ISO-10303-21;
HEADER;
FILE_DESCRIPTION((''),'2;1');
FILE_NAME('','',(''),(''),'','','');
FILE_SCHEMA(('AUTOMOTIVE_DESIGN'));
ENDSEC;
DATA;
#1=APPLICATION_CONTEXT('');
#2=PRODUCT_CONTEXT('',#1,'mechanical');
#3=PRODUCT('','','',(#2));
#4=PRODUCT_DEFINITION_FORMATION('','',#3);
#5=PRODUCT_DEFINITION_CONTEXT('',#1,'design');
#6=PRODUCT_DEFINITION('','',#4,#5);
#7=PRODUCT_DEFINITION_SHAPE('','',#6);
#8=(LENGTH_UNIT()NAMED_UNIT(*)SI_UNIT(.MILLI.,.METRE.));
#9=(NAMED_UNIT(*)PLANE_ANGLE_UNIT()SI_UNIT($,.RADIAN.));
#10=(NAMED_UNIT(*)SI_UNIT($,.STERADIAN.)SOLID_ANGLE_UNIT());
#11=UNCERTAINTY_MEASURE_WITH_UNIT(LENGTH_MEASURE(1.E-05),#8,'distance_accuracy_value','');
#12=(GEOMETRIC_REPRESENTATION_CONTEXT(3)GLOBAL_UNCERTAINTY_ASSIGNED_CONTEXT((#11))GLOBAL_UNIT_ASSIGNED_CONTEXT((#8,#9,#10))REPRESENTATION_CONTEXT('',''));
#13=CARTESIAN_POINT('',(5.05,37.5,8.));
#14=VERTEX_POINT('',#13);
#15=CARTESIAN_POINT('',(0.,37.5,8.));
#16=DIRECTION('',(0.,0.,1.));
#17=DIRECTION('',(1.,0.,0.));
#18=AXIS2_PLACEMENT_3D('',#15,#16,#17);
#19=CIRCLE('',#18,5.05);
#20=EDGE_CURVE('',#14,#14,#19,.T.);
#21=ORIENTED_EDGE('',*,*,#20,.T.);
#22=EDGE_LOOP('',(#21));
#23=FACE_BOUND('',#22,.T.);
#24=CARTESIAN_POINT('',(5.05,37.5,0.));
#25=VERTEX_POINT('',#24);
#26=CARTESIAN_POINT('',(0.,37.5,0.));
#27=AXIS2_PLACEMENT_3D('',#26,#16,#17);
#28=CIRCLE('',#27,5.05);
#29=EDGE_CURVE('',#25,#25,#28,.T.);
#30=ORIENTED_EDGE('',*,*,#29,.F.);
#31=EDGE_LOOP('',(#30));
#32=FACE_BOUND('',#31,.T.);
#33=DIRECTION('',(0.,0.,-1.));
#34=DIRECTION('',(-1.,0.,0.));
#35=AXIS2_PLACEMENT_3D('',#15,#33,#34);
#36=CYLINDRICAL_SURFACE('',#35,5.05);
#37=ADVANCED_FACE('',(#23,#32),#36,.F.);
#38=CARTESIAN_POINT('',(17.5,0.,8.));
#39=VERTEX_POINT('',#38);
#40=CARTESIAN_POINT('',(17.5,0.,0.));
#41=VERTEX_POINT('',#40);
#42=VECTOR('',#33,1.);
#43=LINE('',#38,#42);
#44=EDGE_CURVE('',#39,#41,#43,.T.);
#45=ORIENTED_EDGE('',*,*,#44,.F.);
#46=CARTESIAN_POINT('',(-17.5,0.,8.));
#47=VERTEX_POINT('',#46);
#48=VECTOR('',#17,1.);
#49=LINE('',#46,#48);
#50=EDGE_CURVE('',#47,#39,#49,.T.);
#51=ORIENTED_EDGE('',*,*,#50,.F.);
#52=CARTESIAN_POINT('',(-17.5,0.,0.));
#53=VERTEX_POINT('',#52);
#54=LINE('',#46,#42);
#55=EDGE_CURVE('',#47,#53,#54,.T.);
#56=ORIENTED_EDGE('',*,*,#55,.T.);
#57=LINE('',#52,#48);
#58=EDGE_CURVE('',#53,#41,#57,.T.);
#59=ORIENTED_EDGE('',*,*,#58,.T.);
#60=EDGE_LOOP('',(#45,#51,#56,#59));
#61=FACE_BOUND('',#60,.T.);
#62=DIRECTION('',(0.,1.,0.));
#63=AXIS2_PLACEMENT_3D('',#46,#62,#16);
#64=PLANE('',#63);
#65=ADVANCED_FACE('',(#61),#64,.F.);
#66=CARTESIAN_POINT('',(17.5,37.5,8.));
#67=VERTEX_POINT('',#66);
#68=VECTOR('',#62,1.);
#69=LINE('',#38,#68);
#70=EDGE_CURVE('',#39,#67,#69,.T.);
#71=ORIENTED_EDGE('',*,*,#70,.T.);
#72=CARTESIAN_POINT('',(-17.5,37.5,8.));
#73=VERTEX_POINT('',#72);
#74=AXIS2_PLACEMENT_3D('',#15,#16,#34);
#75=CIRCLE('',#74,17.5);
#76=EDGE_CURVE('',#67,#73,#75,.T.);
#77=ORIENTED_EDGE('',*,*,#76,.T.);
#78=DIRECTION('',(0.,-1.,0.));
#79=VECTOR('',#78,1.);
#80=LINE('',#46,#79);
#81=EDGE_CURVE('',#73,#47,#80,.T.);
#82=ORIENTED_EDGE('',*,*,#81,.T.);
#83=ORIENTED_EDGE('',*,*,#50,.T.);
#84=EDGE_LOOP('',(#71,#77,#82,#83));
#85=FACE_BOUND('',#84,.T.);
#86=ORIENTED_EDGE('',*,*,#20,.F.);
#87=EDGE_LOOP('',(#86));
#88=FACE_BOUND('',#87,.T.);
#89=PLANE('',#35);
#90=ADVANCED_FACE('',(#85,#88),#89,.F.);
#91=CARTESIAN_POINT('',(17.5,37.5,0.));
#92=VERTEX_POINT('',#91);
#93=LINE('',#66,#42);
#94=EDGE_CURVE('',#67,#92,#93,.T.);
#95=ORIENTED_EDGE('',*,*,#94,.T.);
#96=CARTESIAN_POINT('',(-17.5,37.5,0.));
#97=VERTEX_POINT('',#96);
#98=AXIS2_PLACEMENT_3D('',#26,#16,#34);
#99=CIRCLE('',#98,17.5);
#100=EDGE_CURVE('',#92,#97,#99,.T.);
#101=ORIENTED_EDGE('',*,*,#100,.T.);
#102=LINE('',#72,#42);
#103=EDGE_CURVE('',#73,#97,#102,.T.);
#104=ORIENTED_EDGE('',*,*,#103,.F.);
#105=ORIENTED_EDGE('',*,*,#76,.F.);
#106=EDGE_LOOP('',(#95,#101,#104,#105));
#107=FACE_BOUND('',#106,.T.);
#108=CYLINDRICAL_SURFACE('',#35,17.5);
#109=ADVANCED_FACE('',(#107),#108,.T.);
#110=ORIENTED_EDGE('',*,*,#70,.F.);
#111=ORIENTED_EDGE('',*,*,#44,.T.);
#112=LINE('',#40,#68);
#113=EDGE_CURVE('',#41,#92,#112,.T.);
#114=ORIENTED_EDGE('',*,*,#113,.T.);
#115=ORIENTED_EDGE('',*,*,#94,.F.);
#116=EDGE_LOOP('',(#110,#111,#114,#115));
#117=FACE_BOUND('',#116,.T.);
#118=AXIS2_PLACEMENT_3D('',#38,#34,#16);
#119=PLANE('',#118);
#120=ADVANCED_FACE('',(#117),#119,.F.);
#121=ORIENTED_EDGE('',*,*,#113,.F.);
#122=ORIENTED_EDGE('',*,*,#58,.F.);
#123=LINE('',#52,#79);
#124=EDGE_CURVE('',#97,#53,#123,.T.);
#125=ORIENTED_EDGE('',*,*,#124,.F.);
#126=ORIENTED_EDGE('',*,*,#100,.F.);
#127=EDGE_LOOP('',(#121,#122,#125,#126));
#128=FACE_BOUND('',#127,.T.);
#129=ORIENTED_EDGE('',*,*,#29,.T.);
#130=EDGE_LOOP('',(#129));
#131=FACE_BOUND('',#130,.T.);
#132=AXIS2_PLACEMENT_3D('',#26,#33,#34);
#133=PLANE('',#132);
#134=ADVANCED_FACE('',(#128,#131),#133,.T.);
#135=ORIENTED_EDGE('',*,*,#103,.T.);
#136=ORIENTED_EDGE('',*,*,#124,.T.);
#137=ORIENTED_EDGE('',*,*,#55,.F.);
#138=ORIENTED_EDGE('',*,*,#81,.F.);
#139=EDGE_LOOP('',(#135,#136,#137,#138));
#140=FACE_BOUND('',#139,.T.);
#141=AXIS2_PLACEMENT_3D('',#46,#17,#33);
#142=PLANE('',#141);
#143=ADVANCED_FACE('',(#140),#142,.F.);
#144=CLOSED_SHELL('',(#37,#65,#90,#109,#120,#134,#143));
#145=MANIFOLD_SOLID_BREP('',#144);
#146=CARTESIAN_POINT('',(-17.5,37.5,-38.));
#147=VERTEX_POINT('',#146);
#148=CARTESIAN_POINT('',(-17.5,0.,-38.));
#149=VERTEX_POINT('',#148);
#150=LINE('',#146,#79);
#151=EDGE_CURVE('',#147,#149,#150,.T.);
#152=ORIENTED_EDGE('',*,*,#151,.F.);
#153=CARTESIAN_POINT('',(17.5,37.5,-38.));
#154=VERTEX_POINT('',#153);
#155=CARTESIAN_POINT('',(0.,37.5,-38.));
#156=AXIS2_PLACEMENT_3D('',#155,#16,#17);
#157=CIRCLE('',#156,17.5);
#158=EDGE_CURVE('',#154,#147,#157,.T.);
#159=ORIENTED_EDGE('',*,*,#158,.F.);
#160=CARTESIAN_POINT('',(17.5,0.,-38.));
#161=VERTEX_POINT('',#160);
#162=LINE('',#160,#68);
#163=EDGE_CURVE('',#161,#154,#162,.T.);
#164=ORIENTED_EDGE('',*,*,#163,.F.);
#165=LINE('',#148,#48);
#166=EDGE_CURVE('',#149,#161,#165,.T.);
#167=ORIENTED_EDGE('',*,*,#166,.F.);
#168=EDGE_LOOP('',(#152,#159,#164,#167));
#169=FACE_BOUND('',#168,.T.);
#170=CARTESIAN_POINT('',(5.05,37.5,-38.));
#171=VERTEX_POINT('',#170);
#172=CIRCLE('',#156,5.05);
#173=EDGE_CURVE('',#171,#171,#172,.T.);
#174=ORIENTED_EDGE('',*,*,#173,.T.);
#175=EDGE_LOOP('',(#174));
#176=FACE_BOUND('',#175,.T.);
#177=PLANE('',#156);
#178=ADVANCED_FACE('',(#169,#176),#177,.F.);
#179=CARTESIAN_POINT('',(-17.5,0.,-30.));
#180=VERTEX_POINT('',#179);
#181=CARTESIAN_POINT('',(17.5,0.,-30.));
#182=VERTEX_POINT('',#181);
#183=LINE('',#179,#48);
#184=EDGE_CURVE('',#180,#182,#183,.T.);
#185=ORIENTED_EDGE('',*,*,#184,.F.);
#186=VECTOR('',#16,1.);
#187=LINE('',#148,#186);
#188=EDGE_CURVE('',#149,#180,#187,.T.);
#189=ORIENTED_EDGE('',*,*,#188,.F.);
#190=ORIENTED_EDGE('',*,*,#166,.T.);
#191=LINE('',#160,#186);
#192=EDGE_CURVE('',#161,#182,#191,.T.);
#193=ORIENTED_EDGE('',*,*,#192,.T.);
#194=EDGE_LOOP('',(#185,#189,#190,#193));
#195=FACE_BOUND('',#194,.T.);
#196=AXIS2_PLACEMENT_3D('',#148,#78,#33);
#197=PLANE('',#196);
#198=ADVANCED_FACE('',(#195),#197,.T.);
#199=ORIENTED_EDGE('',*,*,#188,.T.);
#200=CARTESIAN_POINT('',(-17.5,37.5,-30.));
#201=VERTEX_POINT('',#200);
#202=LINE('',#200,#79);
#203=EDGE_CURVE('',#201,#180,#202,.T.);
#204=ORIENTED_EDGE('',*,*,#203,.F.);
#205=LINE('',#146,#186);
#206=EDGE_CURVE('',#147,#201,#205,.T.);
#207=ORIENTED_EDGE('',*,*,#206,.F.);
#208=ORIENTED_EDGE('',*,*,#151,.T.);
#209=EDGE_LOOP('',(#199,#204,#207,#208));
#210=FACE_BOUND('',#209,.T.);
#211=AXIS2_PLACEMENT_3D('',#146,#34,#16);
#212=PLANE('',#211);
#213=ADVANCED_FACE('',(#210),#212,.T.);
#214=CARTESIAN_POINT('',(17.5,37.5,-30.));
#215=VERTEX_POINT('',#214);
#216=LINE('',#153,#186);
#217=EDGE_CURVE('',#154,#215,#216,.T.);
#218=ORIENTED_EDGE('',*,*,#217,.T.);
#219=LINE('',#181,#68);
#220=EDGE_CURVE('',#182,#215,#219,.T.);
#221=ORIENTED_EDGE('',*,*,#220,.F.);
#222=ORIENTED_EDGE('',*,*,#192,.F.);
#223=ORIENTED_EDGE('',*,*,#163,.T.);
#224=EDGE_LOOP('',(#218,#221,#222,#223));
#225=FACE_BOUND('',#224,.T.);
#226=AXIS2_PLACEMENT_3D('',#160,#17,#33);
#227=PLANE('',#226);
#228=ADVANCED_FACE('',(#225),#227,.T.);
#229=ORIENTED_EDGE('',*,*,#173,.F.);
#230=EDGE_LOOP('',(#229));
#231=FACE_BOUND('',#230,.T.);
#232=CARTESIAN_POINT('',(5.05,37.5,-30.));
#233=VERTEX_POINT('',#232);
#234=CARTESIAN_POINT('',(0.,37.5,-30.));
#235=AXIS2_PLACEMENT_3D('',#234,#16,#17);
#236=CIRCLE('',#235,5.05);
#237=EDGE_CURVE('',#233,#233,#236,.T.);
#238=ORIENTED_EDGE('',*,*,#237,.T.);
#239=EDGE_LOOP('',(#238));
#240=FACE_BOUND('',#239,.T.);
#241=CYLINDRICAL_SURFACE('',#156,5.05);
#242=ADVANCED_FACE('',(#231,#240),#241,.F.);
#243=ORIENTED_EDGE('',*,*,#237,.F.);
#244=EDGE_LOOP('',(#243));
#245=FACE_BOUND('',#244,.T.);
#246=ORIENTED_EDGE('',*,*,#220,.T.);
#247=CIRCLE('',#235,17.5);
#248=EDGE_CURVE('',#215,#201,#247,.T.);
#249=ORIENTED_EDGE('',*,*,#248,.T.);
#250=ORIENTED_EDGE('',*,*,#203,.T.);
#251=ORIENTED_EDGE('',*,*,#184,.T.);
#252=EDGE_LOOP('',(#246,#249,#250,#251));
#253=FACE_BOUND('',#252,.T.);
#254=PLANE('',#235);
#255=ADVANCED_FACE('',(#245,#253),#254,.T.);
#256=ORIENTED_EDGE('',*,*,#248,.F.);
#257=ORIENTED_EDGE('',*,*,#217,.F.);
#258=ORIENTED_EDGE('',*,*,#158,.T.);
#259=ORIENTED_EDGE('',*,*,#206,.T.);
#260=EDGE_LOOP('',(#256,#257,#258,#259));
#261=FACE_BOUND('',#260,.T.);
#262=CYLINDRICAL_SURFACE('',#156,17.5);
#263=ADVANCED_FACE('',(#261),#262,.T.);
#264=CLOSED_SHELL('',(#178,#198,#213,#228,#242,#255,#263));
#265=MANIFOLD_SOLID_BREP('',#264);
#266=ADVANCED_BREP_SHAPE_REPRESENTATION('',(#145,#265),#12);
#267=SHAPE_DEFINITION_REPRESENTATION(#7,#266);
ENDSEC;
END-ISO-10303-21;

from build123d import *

# Parameters (mm, degrees)
SKETCH1_R           = 5.05
BOSS_EXTRUDE1_DEPTH = 8
SKETCH2_R           = 5.05
BOSS_EXTRUDE2_DEPTH = 8


with BuildPart() as part:
    # Sketch1 → Boss-Extrude1 (new body)
    with BuildSketch(Plane.XY):
        with BuildLine():
            Line((-17.5, 0), (17.5, 0))
            Line((17.5, 0), (17.5, 37.5))
            ThreePointArc((17.5, 37.5), (0, 55), (-17.5, 37.5))
            Line((-17.5, 37.5), (-17.5, 0))
        make_face()
        with Locations((0, 37.5)):
            Circle(SKETCH1_R, mode=Mode.SUBTRACT)
    extrude(amount=BOSS_EXTRUDE1_DEPTH)


with BuildPart() as body_2:
    # Sketch2 → Boss-Extrude2 (new body)
    with BuildSketch(Plane.XY.offset(-30)):
        with BuildLine():
            Line((17.5, 0), (17.5, 37.5))
            ThreePointArc((17.5, 37.5), (0, 55), (-17.5, 37.5))
            Line((-17.5, 37.5), (-17.5, 0))
            Line((-17.5, 0), (17.5, 0))
        make_face()
        with Locations((0, 37.5)):
            Circle(SKETCH2_R, mode=Mode.SUBTRACT)
    extrude(amount=-BOSS_EXTRUDE2_DEPTH)


solid = Compound([part.part, body_2.part])
